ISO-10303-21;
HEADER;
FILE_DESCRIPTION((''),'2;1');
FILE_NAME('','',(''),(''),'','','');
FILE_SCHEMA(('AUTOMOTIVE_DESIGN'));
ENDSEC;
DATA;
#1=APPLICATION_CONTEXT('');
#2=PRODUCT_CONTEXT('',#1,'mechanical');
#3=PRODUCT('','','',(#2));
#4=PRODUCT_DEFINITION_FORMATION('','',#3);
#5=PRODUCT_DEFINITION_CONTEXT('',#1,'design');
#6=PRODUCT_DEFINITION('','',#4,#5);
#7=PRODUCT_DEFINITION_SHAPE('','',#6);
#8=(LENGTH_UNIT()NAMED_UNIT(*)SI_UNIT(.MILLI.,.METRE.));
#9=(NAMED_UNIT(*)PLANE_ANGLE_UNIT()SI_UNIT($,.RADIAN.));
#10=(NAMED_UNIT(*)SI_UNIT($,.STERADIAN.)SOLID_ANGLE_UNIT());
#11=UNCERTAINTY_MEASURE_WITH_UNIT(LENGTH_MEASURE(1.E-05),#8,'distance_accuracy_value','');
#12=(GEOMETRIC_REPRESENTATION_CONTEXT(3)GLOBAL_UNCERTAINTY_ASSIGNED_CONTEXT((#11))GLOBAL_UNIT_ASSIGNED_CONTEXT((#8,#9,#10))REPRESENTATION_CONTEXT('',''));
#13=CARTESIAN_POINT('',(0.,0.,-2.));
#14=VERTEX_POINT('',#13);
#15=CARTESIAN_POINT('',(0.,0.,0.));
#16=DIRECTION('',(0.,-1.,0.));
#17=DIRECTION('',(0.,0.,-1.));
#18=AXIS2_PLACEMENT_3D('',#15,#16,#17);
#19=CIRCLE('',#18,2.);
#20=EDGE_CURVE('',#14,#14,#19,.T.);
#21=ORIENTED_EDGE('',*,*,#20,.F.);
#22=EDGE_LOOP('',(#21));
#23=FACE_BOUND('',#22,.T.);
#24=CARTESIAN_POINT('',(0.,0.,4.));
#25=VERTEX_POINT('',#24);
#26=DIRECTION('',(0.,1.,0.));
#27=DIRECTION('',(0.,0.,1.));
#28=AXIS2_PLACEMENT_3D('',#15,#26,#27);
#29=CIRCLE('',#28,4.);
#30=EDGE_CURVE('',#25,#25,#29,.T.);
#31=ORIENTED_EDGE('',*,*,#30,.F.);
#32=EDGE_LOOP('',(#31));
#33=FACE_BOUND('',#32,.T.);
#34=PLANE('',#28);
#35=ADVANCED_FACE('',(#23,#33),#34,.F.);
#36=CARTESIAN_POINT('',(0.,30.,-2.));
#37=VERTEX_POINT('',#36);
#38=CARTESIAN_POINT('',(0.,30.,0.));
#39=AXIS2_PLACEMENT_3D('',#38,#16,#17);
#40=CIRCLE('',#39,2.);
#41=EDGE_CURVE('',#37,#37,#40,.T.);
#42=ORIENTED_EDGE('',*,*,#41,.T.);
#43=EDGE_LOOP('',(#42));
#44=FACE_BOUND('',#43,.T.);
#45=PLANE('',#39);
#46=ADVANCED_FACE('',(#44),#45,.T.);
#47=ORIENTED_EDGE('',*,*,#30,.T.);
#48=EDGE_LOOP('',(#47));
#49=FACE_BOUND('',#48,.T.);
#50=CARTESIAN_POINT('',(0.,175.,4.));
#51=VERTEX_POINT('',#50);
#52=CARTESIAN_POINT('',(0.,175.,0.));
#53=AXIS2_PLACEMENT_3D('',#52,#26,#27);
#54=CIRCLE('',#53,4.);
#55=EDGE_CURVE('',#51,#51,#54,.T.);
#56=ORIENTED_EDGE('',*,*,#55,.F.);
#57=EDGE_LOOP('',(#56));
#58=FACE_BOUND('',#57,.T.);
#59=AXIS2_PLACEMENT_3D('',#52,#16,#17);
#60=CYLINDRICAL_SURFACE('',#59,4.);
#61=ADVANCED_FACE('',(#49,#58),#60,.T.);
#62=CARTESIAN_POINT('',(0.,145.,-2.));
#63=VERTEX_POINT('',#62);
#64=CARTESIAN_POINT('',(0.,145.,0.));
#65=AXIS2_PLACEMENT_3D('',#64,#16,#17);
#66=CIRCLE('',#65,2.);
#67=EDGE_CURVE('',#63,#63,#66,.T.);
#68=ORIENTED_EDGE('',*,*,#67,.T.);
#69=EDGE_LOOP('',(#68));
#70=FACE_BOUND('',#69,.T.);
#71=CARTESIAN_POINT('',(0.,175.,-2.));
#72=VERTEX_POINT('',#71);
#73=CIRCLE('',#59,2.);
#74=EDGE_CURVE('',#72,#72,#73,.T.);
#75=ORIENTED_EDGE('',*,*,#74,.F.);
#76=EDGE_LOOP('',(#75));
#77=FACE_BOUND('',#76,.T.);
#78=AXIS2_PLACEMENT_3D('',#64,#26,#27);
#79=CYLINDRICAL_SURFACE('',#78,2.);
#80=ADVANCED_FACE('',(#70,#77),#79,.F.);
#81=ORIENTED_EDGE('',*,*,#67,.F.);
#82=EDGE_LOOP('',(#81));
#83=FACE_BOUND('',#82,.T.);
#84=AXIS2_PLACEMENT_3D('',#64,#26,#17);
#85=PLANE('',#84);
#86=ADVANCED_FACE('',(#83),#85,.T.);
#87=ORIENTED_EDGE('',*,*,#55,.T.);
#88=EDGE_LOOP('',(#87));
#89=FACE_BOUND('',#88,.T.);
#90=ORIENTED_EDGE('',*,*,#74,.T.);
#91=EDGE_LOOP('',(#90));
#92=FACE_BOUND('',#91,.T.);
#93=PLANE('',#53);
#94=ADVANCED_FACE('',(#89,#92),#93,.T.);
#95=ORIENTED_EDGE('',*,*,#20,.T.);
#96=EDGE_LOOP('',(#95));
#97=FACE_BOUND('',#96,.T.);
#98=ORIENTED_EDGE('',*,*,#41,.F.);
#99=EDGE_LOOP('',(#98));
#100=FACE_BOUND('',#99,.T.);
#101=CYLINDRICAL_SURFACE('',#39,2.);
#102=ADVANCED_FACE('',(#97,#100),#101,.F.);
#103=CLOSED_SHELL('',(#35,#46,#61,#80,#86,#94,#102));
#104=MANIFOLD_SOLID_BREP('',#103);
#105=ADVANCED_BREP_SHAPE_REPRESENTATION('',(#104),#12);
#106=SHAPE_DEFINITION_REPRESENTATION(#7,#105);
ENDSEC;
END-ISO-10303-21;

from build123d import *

# Parameters (mm, degrees)
SKETCH1_R           = 4
BOSS_EXTRUDE1_DEPTH = 175
SKETCH2_R           = 2
CUT_EXTRUDE1_DEPTH  = 30


with BuildPart() as part:
    # Sketch1 → Boss-Extrude1 (new body)
    with BuildSketch(Plane(origin=(0, 0, 0), x_dir=(1, 0, 0), z_dir=(0, 1, 0))):
        with Locations(Location((0, 0, 0), (0, 0, 270))):
            Circle(SKETCH1_R)
    extrude(amount=BOSS_EXTRUDE1_DEPTH)

    # Sketch2 → Cut-Extrude1 (cut)
    with BuildSketch(Plane.XZ):
        with Locations(Location((0, 0, 0), (0, 0, 270))):
            Circle(SKETCH2_R)
    cut_extrude1 = extrude(amount=-CUT_EXTRUDE1_DEPTH, mode=Mode.SUBTRACT)

    # Mirror1: Cut-Extrude1 across plane
    add(cut_extrude1.mirror(Plane(origin=(0, 87.5, 0), x_dir=(0, 0, 1), z_dir=(0, -1, 0))), mode=Mode.SUBTRACT)


solid = part.part
